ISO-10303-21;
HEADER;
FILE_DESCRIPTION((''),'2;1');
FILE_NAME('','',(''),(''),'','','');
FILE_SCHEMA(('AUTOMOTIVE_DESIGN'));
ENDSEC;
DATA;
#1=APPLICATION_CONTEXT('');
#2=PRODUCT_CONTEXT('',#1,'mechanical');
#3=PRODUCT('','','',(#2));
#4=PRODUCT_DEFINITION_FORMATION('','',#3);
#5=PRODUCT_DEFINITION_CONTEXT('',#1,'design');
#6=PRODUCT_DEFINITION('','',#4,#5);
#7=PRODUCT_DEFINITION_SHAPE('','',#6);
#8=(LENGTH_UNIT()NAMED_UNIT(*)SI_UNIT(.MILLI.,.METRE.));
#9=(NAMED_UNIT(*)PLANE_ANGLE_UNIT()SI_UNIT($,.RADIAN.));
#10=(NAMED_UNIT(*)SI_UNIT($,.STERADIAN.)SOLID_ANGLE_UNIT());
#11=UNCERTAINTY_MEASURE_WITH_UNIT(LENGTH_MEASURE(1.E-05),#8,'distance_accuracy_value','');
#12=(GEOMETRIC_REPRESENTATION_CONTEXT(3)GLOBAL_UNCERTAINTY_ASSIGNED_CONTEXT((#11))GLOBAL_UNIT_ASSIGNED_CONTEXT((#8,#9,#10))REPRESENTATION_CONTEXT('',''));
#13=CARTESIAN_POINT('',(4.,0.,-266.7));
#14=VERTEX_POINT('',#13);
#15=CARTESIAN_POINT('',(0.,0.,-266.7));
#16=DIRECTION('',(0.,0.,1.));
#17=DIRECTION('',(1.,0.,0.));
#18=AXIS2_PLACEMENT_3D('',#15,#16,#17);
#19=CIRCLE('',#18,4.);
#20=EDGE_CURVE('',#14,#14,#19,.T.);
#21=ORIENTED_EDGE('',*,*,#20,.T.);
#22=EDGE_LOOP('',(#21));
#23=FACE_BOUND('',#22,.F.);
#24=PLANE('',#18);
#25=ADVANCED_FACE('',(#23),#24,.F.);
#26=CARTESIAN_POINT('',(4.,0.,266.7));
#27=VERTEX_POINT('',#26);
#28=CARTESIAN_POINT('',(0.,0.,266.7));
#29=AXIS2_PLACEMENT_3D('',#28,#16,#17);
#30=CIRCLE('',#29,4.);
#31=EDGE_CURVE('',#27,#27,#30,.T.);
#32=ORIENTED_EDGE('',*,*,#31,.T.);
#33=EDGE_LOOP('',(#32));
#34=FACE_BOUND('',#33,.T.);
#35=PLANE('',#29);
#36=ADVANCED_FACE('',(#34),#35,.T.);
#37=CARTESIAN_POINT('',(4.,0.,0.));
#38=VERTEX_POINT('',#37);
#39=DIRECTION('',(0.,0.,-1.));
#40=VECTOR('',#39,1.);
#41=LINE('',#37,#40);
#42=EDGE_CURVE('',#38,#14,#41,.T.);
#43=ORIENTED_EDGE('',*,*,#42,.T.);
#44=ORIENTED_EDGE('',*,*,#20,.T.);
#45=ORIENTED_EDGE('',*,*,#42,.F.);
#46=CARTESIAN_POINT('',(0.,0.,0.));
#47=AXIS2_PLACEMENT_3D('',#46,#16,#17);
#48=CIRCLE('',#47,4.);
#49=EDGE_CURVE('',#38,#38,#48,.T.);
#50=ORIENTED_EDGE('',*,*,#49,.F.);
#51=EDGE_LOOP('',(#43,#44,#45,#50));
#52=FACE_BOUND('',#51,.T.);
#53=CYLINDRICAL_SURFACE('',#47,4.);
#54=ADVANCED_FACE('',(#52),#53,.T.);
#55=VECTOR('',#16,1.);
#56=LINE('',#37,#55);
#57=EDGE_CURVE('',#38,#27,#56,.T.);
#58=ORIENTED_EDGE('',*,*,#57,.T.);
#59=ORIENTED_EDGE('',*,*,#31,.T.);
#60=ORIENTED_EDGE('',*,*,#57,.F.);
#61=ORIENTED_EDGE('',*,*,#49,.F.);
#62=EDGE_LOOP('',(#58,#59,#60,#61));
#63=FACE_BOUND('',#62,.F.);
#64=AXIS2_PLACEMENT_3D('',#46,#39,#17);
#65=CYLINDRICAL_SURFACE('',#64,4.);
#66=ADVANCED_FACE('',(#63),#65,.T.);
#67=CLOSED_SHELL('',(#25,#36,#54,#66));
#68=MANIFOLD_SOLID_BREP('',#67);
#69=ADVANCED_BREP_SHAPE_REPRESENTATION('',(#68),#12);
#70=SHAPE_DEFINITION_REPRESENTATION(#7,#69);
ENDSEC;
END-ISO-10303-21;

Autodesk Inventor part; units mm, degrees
ref_plane "YZ Plane" through (0, 0, 0) normal (1, 0, 0) x (0, 1, 0)
ref_plane "XZ Plane" through (0, 0, 0) normal (0, 1, 0) x (-1, 0, 0)
ref_plane "XY Plane" through (0, 0, 0) normal (0, 0, 1) x (1, 0, 0)
sketch "Sketch1" plane through (0, 0, 0) normal (0, 0, 1) x (1, 0, 0)
  circle A0 centre (0, 0) radius 4
  dimension "d0" = 8
extrude "Extrusion1" add sketch "Sketch1" along normal mid plane 533.4
properties part number "Clamp Rod" material "Stainless Steel"
